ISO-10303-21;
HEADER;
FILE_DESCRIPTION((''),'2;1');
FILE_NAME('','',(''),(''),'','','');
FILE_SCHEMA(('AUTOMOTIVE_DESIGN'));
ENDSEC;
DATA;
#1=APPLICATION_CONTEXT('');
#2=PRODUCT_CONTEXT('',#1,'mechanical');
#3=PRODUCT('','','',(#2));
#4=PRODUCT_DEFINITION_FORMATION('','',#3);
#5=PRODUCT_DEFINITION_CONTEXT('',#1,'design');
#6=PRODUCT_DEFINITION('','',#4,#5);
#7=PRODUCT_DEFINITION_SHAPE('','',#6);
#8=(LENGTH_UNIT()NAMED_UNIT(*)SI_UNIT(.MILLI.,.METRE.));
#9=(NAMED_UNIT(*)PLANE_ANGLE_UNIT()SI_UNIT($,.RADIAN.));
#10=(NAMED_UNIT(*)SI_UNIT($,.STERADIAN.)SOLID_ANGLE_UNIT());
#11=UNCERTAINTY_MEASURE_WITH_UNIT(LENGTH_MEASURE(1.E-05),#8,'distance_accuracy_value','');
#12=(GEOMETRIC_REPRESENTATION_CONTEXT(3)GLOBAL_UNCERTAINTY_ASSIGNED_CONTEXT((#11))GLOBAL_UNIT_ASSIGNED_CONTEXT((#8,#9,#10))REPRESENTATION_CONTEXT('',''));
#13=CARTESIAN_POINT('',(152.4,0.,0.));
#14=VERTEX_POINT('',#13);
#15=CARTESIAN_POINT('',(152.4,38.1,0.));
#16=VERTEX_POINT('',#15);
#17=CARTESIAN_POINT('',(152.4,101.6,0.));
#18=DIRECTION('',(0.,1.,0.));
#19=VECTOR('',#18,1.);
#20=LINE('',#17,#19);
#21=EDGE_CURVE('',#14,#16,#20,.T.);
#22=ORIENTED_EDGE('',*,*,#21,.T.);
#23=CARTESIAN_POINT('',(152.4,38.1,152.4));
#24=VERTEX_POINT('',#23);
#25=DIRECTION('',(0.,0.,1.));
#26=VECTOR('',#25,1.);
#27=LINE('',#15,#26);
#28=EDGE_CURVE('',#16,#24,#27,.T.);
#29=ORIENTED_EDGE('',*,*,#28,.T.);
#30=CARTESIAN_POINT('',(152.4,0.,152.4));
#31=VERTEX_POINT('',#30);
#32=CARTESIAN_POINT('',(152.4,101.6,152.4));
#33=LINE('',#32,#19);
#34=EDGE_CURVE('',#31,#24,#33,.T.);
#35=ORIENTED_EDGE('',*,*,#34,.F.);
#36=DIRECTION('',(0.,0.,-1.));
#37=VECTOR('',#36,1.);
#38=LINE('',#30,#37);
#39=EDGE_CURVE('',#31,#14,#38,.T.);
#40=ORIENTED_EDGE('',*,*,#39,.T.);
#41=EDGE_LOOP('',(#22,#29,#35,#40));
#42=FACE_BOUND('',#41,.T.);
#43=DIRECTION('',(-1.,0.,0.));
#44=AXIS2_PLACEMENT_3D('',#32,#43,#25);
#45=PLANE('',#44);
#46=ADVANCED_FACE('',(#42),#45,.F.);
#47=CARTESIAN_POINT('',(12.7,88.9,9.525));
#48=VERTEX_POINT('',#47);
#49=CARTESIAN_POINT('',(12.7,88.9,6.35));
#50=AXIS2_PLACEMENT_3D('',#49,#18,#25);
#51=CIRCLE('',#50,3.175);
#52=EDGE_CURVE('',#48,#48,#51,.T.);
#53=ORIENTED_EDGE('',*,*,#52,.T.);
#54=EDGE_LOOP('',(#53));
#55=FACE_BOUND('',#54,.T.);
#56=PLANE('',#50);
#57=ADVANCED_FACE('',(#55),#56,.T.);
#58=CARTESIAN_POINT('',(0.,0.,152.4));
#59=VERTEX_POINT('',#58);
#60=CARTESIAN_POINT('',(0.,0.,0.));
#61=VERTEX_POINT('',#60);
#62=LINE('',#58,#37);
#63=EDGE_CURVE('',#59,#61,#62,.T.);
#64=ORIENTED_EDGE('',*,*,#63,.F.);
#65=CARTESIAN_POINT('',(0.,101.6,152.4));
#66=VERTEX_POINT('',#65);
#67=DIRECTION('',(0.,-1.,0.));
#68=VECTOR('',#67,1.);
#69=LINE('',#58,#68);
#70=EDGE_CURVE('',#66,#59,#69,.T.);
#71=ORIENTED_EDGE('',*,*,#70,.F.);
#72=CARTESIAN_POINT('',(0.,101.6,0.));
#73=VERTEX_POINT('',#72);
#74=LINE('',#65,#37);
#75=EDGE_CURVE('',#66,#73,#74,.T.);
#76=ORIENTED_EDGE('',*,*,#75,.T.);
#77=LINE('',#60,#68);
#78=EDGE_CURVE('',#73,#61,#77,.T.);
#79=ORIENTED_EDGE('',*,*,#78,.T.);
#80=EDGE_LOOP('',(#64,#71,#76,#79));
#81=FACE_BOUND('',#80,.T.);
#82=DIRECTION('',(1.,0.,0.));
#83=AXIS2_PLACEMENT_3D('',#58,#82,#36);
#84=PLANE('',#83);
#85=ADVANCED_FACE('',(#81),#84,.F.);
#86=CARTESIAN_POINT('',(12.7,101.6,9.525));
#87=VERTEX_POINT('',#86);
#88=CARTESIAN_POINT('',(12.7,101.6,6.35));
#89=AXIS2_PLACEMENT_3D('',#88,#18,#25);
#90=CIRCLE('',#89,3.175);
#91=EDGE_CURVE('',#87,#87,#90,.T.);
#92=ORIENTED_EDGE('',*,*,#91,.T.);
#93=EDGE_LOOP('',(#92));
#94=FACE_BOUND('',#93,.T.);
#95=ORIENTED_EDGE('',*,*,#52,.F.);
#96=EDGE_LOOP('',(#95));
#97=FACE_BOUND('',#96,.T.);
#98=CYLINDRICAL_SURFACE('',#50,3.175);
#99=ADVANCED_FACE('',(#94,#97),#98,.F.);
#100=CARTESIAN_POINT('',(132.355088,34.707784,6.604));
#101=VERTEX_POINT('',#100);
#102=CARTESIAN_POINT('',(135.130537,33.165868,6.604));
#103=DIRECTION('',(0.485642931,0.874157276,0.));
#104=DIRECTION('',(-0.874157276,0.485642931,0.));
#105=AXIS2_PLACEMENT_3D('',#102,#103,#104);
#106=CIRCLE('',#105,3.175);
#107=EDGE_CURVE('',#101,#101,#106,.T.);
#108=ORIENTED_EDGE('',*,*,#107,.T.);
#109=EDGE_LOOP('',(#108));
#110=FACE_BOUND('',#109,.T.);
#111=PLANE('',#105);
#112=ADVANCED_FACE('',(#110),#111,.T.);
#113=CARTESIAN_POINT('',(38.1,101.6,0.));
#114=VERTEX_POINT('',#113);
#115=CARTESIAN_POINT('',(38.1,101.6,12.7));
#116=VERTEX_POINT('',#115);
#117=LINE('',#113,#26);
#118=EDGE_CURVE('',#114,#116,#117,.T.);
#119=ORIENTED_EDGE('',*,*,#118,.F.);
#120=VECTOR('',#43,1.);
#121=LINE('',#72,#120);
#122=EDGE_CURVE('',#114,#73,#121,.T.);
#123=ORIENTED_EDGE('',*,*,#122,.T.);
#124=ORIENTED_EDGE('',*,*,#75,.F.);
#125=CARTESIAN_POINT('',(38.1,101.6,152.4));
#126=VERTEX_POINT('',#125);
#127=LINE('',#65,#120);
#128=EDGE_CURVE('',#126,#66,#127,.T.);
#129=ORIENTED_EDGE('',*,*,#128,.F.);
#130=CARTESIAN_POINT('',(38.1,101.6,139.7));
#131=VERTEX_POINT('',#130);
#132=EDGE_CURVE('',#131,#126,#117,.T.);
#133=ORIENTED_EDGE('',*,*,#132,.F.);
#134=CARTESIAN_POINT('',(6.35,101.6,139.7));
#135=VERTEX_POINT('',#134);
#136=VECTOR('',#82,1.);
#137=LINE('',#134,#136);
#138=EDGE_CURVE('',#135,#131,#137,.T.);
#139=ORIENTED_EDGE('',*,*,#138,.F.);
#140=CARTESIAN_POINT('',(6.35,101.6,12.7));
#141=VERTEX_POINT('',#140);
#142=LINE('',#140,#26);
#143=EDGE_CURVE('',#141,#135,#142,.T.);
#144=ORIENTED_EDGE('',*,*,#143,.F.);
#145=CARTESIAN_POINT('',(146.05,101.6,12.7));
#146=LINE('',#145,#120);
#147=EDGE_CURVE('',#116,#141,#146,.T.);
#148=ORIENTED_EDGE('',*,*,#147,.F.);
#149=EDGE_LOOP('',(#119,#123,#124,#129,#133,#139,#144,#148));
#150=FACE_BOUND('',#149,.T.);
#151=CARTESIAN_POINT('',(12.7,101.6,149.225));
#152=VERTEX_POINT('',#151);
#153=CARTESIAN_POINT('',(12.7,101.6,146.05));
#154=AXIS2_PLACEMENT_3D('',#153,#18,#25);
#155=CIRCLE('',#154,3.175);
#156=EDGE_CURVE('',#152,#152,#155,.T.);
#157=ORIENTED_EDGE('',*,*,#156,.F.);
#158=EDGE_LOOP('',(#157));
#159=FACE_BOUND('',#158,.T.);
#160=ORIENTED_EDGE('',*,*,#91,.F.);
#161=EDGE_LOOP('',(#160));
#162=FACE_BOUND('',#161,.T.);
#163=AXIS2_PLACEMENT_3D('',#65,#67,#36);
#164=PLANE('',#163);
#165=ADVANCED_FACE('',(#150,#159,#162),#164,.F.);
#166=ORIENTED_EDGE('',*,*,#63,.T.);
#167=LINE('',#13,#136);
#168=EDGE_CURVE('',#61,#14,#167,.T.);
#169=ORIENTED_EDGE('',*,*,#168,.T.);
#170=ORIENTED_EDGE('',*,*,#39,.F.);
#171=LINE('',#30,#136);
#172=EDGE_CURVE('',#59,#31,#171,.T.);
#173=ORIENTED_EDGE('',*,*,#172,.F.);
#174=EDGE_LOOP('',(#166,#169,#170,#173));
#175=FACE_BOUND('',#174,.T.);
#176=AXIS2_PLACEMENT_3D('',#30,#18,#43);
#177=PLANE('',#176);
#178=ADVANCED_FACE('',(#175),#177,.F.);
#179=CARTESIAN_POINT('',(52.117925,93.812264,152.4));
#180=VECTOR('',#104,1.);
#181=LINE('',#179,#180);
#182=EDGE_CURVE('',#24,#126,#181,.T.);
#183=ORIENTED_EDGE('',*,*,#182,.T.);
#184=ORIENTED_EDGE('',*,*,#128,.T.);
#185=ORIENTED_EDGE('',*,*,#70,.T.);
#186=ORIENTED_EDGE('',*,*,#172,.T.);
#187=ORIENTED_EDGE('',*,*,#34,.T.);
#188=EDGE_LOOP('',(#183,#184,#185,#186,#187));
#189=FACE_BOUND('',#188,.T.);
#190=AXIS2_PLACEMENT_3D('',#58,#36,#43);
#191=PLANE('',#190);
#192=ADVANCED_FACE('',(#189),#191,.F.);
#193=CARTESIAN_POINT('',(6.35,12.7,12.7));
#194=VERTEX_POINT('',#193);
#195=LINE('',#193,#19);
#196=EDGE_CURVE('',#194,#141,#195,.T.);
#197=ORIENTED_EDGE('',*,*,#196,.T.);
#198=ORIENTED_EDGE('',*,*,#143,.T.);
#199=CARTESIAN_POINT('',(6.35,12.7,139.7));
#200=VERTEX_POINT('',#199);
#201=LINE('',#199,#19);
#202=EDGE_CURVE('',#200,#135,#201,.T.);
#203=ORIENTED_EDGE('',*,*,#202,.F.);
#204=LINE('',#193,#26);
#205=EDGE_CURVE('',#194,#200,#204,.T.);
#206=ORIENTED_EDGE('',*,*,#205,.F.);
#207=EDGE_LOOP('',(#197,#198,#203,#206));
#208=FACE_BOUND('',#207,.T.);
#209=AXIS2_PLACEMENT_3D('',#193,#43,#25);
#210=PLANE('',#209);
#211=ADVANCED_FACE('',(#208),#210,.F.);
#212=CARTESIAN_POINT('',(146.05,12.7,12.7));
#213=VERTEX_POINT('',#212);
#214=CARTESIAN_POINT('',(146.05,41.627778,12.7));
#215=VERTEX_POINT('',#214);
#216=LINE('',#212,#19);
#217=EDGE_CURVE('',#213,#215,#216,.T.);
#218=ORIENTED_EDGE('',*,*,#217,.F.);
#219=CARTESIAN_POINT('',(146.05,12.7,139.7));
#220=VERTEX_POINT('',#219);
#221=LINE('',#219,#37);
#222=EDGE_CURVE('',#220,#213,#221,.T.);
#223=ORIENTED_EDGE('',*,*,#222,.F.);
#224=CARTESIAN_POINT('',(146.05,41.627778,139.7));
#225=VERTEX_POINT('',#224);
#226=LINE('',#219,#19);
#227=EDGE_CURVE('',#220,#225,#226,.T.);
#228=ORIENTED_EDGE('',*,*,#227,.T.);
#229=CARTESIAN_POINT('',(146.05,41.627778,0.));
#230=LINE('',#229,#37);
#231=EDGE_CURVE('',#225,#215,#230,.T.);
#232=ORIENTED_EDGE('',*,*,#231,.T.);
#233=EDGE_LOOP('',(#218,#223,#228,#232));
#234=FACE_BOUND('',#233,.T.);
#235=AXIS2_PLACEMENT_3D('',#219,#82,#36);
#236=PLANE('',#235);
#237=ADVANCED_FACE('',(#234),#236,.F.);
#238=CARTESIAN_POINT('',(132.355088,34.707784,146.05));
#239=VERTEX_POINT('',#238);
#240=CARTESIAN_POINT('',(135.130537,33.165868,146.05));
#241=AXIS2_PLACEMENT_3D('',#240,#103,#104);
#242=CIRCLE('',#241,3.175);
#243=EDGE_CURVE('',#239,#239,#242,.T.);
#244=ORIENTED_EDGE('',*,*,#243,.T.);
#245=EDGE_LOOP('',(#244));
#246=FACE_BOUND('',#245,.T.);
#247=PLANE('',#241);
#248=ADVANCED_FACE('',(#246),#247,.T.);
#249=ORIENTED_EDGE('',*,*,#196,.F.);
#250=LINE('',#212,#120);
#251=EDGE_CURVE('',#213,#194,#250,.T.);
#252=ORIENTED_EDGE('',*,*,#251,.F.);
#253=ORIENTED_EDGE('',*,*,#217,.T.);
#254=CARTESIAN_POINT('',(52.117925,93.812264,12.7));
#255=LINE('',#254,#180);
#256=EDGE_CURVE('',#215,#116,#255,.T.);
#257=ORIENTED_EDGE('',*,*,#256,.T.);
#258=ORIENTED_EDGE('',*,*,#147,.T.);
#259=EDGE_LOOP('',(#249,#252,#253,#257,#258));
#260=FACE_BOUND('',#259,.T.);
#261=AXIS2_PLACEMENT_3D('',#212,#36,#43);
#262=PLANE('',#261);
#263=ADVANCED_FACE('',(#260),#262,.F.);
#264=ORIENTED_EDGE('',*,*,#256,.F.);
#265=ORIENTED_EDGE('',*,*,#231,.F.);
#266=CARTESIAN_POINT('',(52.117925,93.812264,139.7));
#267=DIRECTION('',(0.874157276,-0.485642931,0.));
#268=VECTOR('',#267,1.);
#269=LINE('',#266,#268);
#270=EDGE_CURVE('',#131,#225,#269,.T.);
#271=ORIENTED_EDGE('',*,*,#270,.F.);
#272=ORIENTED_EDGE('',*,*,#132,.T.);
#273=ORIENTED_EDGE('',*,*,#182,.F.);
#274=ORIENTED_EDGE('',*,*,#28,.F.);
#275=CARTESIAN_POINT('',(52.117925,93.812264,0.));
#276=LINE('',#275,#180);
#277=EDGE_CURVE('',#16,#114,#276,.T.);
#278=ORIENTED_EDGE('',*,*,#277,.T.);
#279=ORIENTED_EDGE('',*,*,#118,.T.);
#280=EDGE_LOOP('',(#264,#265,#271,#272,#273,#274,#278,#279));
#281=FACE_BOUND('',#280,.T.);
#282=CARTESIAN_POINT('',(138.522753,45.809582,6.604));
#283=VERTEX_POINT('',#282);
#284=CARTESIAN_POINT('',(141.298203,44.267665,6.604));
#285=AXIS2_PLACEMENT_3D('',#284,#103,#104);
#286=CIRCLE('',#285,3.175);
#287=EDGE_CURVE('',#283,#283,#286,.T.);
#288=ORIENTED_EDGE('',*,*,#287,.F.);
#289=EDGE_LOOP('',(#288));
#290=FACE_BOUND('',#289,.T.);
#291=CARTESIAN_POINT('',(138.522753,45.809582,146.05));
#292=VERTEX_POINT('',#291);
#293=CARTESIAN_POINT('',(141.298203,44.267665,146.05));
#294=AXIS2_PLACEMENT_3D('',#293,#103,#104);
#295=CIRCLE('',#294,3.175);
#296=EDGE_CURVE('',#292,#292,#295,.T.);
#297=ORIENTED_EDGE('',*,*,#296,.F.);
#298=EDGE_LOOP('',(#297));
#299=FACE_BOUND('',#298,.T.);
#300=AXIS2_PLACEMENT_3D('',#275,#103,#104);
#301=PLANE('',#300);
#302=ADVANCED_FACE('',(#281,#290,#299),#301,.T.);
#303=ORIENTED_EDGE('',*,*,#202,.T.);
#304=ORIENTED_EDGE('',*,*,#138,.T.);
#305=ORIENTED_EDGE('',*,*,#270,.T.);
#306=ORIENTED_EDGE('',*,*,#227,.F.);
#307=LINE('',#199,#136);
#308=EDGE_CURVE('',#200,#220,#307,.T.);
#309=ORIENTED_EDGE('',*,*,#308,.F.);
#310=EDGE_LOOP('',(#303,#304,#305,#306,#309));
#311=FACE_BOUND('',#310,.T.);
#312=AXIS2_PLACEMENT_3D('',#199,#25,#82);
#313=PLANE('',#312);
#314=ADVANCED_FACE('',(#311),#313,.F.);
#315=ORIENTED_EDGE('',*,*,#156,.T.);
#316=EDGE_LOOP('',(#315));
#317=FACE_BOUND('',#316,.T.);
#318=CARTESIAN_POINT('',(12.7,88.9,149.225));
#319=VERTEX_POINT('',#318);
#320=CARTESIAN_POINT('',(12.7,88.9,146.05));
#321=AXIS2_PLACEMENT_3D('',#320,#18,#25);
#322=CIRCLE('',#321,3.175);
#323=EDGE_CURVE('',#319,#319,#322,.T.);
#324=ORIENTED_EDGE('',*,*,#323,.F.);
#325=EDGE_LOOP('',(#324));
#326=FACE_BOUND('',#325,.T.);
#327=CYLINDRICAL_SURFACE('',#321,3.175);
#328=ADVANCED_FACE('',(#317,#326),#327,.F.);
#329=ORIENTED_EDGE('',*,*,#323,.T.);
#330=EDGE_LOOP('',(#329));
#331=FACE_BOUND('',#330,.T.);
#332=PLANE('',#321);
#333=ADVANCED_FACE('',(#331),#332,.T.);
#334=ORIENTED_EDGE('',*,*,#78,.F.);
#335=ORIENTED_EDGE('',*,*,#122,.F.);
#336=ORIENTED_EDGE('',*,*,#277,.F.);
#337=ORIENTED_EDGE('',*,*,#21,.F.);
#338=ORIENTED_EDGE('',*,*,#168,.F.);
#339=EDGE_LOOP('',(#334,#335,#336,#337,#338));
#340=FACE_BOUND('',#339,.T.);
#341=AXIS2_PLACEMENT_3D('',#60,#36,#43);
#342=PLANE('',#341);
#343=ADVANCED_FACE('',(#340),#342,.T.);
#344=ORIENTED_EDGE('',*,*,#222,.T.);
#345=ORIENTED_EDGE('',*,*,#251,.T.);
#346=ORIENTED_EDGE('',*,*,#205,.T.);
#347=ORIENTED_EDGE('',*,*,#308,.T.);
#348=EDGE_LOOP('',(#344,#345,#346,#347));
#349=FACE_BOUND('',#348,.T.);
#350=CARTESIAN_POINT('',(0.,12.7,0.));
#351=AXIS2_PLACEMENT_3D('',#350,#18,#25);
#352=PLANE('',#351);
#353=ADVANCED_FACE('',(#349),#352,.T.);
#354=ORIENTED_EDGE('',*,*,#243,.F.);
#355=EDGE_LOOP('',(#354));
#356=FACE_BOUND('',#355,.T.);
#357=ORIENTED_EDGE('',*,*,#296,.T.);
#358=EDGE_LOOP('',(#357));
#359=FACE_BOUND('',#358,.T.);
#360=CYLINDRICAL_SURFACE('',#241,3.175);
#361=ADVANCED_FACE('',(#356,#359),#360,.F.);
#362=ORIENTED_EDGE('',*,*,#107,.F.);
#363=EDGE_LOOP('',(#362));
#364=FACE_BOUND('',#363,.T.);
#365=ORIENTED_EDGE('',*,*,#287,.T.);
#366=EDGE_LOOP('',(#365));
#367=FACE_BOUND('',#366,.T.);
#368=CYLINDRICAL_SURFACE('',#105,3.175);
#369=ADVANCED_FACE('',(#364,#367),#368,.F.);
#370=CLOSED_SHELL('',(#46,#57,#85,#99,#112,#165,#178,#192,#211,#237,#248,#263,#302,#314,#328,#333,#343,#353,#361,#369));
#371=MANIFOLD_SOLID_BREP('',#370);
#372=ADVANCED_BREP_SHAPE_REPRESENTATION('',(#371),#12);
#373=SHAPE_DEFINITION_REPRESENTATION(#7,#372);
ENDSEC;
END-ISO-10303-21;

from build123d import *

# Parameters (mm, degrees)
SKETCH1_W           = 152.4
SKETCH1_H           = 101.6
BOSS_EXTRUDE1_DEPTH = 152.4
CUT_EXTRUDE2_DEPTH  = 152.4
SKETCH7_W           = 139.7
SKETCH7_H           = 127
CUT_EXTRUDE3_DEPTH  = 88.9
SKETCH8_R           = 3.175
CUT_EXTRUDE4_DEPTH  = 12.7
SKETCH9_R           = 3.175
CUT_EXTRUDE5_DEPTH  = 12.7


with BuildPart() as part:
    # Sketch1 → Boss-Extrude1 (new body)
    with BuildSketch(Plane.XY):
        with Locations((76.2, 50.8)):
            Rectangle(SKETCH1_W, SKETCH1_H)
    extrude(amount=BOSS_EXTRUDE1_DEPTH)

    # Sketch6 → Cut-Extrude2 (cut)
    with BuildSketch(Plane.XY.offset(152.4)):
        Polygon((104.436678767, 101.6), (38.1, 101.6), (152.4, 38.1), (152.4, 101.6), (104.590197544, 101.6), align=None)
    extrude(amount=-CUT_EXTRUDE2_DEPTH, mode=Mode.SUBTRACT)

    # Sketch7 → Cut-Extrude3 (cut)
    with BuildSketch(Plane(origin=(0, 101.6, 0), x_dir=(1, 0, 0), z_dir=(0, 1, 0))):
        with Locations((76.2, -76.2)):
            Rectangle(SKETCH7_W, SKETCH7_H)
    extrude(amount=-CUT_EXTRUDE3_DEPTH, mode=Mode.SUBTRACT)

    # Sketch8 → Cut-Extrude4 (cut)
    with BuildSketch(Plane(origin=(0, 101.6, 0), x_dir=(1, 0, 0), z_dir=(0, 1, 0))):
        with Locations((12.7, -146.05)):
            Circle(SKETCH8_R)
        with Locations((12.7, -6.35)):
            Circle(SKETCH8_R)
    extrude(amount=-CUT_EXTRUDE4_DEPTH, mode=Mode.SUBTRACT)

    # Sketch9 → Cut-Extrude5 (cut)
    with BuildSketch(Plane(origin=(52.117924528, 93.812264151, 0), x_dir=(0.874157276, -0.485642931, 0), z_dir=(0.485642931, 0.874157276, 0))):
        with Locations((102.018573203, -146.05)):
            Circle(SKETCH9_R)
        with Locations((102.018573203, -6.604)):
            Circle(SKETCH9_R)
    extrude(amount=-CUT_EXTRUDE5_DEPTH, mode=Mode.SUBTRACT)


solid = part.part
